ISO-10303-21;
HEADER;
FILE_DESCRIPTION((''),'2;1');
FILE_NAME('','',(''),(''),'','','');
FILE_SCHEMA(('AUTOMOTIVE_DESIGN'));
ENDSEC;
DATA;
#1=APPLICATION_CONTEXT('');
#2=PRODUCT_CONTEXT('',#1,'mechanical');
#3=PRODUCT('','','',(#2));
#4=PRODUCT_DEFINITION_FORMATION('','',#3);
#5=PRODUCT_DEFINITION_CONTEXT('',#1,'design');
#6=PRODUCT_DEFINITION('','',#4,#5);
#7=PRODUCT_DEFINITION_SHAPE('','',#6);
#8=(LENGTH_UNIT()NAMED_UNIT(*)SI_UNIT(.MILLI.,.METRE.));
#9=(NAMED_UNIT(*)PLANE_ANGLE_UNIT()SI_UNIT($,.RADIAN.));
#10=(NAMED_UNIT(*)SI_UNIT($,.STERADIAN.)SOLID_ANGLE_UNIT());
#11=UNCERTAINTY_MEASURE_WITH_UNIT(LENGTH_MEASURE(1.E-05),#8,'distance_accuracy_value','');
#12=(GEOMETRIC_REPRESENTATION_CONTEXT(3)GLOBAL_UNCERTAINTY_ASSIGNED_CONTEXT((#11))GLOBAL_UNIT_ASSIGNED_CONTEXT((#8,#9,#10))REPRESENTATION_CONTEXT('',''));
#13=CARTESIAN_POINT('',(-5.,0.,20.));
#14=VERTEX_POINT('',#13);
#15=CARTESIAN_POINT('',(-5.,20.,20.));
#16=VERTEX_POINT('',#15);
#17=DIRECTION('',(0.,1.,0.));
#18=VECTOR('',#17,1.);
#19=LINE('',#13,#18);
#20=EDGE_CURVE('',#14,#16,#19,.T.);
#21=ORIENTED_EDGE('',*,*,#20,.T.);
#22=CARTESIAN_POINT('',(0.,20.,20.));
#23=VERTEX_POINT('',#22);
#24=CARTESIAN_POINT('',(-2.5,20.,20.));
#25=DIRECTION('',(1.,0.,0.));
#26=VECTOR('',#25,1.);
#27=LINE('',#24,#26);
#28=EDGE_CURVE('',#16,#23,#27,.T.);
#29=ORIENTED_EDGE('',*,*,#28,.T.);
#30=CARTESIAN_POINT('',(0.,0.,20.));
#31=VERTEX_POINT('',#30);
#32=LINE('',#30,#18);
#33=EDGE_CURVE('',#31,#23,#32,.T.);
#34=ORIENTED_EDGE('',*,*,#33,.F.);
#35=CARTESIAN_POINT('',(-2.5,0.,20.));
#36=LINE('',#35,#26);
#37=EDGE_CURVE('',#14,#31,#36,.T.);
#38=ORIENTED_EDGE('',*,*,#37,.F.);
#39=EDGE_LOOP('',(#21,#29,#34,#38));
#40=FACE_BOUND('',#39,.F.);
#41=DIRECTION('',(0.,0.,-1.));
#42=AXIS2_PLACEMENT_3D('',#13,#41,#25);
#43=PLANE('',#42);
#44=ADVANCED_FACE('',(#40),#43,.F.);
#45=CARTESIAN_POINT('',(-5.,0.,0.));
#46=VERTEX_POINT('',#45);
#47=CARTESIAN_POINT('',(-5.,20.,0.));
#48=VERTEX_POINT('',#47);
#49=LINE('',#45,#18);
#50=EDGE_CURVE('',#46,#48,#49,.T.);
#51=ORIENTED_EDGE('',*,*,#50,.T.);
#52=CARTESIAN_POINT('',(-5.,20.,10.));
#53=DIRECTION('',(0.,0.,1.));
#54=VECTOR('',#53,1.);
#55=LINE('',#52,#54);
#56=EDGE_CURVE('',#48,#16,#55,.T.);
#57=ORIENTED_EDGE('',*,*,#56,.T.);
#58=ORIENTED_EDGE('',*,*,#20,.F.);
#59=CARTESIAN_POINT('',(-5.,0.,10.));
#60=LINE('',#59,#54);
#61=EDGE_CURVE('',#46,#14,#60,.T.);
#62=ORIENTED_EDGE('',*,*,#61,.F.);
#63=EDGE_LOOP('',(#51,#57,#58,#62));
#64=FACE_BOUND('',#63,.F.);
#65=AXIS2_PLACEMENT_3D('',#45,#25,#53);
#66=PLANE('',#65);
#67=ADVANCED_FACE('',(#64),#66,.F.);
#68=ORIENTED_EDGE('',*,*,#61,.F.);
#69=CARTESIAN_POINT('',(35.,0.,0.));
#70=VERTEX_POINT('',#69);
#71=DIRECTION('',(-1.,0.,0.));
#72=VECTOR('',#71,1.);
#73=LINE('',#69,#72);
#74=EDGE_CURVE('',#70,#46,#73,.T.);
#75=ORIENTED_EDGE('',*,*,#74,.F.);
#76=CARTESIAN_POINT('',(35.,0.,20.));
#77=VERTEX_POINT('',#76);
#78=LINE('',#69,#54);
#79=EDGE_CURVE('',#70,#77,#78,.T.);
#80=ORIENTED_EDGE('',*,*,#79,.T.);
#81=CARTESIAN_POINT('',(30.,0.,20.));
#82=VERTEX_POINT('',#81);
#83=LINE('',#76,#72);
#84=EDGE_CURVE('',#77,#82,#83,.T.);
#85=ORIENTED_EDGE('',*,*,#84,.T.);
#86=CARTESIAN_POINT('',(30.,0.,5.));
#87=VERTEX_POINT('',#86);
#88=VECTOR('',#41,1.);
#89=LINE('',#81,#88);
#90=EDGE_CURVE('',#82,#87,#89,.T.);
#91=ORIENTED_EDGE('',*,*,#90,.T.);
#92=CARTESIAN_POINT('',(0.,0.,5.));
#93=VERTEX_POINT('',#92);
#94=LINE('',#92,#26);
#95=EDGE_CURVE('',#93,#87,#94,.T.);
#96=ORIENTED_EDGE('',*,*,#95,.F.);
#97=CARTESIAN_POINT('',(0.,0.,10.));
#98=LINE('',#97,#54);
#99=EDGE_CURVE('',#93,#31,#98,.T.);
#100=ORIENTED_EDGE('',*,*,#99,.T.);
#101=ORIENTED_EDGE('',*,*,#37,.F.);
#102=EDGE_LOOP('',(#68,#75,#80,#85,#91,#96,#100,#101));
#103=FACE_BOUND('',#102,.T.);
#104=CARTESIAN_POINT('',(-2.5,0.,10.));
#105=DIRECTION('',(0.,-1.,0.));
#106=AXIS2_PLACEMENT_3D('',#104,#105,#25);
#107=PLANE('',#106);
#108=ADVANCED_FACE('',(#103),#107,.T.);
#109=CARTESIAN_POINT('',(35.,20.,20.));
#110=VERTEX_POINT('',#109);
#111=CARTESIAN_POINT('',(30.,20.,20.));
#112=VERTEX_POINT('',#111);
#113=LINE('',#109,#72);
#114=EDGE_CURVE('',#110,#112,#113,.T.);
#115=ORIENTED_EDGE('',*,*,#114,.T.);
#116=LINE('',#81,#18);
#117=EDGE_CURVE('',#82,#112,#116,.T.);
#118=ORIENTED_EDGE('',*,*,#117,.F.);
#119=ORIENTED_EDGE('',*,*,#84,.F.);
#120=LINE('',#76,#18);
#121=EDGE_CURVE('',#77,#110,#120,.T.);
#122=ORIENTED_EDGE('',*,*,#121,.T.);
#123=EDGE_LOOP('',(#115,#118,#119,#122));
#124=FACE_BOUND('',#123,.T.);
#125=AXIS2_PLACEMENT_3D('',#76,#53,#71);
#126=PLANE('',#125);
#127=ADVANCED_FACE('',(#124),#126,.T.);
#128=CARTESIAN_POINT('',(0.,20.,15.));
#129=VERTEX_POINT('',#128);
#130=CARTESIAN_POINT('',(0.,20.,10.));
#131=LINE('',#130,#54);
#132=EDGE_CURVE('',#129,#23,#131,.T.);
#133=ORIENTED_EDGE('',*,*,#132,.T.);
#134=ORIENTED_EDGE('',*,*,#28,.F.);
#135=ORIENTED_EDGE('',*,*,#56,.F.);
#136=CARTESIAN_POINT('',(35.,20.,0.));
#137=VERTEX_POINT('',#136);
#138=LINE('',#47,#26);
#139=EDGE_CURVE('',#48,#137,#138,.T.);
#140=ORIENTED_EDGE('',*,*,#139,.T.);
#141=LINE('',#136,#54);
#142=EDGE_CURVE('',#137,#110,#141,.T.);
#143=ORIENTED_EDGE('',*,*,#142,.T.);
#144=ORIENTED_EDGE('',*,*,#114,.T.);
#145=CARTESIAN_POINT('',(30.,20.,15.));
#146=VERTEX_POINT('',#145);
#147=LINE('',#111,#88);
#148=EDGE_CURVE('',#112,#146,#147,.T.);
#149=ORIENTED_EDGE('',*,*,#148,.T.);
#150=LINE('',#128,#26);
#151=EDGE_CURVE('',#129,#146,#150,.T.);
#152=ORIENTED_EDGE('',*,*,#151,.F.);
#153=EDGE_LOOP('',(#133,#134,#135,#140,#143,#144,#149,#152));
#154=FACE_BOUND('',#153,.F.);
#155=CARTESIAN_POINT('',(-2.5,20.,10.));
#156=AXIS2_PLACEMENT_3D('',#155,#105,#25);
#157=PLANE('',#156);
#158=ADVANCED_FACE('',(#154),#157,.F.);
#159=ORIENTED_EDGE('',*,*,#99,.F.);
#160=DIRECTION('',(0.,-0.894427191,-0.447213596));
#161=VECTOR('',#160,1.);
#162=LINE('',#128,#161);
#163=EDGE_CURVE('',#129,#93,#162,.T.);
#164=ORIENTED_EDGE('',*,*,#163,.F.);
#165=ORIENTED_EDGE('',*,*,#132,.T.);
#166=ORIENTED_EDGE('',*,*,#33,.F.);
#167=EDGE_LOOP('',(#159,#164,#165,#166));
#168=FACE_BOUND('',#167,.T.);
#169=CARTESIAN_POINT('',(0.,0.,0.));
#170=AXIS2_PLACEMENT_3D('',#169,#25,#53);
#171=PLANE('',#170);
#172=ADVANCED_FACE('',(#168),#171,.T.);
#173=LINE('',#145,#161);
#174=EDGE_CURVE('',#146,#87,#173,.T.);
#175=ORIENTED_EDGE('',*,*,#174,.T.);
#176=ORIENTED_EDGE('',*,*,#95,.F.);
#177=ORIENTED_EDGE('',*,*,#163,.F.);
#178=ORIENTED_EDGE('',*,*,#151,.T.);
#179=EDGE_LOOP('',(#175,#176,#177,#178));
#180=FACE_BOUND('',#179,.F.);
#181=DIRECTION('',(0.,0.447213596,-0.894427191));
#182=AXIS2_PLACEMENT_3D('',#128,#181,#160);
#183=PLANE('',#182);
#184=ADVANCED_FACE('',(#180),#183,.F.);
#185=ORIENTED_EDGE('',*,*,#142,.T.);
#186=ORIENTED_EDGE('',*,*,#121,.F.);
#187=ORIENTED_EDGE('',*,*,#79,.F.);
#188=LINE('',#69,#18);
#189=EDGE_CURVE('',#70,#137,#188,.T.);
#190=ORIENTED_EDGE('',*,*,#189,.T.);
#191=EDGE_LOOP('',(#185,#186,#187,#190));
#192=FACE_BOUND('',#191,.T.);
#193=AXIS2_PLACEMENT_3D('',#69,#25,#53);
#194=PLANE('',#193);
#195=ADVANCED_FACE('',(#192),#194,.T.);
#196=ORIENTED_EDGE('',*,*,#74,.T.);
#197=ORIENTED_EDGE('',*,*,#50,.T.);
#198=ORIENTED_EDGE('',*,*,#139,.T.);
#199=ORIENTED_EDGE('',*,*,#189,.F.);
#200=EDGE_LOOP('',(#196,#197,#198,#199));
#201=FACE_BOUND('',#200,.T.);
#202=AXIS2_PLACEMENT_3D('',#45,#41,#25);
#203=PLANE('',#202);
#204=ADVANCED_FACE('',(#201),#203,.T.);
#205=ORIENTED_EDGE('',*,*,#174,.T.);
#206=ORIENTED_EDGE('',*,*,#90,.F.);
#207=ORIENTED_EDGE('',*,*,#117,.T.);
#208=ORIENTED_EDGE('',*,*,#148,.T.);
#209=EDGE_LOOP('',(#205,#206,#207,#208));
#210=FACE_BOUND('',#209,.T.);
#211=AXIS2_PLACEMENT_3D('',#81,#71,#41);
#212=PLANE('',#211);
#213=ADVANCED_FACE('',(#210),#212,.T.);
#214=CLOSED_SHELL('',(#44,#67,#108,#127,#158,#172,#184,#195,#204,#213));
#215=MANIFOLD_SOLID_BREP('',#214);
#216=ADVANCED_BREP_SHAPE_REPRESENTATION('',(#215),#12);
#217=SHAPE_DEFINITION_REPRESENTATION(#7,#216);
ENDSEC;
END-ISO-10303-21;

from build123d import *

# Parameters (mm, degrees)
F1_DEPTH = 30
F2_W     = 5
F2_H     = 20
F3_DEPTH = 20


with BuildPart() as f1:
    # F0 (on Right) → F1 (new body)
    with BuildSketch(Plane.YZ):
        Polygon((0, 5), (0, 0), (20, 0), (20, 15), align=None)
    extrude(amount=F1_DEPTH)

    # F2 (on Front) → F3 (join)
    with BuildSketch(Plane.XZ):
        with Locations((-2.5, 10)):
            Rectangle(F2_W, F2_H)
        Polygon((30, 5), (30, 0), (35, 0), (35, 20), (30, 20), (30, 15), align=None)
    extrude(amount=-F3_DEPTH)


solid = f1.part
